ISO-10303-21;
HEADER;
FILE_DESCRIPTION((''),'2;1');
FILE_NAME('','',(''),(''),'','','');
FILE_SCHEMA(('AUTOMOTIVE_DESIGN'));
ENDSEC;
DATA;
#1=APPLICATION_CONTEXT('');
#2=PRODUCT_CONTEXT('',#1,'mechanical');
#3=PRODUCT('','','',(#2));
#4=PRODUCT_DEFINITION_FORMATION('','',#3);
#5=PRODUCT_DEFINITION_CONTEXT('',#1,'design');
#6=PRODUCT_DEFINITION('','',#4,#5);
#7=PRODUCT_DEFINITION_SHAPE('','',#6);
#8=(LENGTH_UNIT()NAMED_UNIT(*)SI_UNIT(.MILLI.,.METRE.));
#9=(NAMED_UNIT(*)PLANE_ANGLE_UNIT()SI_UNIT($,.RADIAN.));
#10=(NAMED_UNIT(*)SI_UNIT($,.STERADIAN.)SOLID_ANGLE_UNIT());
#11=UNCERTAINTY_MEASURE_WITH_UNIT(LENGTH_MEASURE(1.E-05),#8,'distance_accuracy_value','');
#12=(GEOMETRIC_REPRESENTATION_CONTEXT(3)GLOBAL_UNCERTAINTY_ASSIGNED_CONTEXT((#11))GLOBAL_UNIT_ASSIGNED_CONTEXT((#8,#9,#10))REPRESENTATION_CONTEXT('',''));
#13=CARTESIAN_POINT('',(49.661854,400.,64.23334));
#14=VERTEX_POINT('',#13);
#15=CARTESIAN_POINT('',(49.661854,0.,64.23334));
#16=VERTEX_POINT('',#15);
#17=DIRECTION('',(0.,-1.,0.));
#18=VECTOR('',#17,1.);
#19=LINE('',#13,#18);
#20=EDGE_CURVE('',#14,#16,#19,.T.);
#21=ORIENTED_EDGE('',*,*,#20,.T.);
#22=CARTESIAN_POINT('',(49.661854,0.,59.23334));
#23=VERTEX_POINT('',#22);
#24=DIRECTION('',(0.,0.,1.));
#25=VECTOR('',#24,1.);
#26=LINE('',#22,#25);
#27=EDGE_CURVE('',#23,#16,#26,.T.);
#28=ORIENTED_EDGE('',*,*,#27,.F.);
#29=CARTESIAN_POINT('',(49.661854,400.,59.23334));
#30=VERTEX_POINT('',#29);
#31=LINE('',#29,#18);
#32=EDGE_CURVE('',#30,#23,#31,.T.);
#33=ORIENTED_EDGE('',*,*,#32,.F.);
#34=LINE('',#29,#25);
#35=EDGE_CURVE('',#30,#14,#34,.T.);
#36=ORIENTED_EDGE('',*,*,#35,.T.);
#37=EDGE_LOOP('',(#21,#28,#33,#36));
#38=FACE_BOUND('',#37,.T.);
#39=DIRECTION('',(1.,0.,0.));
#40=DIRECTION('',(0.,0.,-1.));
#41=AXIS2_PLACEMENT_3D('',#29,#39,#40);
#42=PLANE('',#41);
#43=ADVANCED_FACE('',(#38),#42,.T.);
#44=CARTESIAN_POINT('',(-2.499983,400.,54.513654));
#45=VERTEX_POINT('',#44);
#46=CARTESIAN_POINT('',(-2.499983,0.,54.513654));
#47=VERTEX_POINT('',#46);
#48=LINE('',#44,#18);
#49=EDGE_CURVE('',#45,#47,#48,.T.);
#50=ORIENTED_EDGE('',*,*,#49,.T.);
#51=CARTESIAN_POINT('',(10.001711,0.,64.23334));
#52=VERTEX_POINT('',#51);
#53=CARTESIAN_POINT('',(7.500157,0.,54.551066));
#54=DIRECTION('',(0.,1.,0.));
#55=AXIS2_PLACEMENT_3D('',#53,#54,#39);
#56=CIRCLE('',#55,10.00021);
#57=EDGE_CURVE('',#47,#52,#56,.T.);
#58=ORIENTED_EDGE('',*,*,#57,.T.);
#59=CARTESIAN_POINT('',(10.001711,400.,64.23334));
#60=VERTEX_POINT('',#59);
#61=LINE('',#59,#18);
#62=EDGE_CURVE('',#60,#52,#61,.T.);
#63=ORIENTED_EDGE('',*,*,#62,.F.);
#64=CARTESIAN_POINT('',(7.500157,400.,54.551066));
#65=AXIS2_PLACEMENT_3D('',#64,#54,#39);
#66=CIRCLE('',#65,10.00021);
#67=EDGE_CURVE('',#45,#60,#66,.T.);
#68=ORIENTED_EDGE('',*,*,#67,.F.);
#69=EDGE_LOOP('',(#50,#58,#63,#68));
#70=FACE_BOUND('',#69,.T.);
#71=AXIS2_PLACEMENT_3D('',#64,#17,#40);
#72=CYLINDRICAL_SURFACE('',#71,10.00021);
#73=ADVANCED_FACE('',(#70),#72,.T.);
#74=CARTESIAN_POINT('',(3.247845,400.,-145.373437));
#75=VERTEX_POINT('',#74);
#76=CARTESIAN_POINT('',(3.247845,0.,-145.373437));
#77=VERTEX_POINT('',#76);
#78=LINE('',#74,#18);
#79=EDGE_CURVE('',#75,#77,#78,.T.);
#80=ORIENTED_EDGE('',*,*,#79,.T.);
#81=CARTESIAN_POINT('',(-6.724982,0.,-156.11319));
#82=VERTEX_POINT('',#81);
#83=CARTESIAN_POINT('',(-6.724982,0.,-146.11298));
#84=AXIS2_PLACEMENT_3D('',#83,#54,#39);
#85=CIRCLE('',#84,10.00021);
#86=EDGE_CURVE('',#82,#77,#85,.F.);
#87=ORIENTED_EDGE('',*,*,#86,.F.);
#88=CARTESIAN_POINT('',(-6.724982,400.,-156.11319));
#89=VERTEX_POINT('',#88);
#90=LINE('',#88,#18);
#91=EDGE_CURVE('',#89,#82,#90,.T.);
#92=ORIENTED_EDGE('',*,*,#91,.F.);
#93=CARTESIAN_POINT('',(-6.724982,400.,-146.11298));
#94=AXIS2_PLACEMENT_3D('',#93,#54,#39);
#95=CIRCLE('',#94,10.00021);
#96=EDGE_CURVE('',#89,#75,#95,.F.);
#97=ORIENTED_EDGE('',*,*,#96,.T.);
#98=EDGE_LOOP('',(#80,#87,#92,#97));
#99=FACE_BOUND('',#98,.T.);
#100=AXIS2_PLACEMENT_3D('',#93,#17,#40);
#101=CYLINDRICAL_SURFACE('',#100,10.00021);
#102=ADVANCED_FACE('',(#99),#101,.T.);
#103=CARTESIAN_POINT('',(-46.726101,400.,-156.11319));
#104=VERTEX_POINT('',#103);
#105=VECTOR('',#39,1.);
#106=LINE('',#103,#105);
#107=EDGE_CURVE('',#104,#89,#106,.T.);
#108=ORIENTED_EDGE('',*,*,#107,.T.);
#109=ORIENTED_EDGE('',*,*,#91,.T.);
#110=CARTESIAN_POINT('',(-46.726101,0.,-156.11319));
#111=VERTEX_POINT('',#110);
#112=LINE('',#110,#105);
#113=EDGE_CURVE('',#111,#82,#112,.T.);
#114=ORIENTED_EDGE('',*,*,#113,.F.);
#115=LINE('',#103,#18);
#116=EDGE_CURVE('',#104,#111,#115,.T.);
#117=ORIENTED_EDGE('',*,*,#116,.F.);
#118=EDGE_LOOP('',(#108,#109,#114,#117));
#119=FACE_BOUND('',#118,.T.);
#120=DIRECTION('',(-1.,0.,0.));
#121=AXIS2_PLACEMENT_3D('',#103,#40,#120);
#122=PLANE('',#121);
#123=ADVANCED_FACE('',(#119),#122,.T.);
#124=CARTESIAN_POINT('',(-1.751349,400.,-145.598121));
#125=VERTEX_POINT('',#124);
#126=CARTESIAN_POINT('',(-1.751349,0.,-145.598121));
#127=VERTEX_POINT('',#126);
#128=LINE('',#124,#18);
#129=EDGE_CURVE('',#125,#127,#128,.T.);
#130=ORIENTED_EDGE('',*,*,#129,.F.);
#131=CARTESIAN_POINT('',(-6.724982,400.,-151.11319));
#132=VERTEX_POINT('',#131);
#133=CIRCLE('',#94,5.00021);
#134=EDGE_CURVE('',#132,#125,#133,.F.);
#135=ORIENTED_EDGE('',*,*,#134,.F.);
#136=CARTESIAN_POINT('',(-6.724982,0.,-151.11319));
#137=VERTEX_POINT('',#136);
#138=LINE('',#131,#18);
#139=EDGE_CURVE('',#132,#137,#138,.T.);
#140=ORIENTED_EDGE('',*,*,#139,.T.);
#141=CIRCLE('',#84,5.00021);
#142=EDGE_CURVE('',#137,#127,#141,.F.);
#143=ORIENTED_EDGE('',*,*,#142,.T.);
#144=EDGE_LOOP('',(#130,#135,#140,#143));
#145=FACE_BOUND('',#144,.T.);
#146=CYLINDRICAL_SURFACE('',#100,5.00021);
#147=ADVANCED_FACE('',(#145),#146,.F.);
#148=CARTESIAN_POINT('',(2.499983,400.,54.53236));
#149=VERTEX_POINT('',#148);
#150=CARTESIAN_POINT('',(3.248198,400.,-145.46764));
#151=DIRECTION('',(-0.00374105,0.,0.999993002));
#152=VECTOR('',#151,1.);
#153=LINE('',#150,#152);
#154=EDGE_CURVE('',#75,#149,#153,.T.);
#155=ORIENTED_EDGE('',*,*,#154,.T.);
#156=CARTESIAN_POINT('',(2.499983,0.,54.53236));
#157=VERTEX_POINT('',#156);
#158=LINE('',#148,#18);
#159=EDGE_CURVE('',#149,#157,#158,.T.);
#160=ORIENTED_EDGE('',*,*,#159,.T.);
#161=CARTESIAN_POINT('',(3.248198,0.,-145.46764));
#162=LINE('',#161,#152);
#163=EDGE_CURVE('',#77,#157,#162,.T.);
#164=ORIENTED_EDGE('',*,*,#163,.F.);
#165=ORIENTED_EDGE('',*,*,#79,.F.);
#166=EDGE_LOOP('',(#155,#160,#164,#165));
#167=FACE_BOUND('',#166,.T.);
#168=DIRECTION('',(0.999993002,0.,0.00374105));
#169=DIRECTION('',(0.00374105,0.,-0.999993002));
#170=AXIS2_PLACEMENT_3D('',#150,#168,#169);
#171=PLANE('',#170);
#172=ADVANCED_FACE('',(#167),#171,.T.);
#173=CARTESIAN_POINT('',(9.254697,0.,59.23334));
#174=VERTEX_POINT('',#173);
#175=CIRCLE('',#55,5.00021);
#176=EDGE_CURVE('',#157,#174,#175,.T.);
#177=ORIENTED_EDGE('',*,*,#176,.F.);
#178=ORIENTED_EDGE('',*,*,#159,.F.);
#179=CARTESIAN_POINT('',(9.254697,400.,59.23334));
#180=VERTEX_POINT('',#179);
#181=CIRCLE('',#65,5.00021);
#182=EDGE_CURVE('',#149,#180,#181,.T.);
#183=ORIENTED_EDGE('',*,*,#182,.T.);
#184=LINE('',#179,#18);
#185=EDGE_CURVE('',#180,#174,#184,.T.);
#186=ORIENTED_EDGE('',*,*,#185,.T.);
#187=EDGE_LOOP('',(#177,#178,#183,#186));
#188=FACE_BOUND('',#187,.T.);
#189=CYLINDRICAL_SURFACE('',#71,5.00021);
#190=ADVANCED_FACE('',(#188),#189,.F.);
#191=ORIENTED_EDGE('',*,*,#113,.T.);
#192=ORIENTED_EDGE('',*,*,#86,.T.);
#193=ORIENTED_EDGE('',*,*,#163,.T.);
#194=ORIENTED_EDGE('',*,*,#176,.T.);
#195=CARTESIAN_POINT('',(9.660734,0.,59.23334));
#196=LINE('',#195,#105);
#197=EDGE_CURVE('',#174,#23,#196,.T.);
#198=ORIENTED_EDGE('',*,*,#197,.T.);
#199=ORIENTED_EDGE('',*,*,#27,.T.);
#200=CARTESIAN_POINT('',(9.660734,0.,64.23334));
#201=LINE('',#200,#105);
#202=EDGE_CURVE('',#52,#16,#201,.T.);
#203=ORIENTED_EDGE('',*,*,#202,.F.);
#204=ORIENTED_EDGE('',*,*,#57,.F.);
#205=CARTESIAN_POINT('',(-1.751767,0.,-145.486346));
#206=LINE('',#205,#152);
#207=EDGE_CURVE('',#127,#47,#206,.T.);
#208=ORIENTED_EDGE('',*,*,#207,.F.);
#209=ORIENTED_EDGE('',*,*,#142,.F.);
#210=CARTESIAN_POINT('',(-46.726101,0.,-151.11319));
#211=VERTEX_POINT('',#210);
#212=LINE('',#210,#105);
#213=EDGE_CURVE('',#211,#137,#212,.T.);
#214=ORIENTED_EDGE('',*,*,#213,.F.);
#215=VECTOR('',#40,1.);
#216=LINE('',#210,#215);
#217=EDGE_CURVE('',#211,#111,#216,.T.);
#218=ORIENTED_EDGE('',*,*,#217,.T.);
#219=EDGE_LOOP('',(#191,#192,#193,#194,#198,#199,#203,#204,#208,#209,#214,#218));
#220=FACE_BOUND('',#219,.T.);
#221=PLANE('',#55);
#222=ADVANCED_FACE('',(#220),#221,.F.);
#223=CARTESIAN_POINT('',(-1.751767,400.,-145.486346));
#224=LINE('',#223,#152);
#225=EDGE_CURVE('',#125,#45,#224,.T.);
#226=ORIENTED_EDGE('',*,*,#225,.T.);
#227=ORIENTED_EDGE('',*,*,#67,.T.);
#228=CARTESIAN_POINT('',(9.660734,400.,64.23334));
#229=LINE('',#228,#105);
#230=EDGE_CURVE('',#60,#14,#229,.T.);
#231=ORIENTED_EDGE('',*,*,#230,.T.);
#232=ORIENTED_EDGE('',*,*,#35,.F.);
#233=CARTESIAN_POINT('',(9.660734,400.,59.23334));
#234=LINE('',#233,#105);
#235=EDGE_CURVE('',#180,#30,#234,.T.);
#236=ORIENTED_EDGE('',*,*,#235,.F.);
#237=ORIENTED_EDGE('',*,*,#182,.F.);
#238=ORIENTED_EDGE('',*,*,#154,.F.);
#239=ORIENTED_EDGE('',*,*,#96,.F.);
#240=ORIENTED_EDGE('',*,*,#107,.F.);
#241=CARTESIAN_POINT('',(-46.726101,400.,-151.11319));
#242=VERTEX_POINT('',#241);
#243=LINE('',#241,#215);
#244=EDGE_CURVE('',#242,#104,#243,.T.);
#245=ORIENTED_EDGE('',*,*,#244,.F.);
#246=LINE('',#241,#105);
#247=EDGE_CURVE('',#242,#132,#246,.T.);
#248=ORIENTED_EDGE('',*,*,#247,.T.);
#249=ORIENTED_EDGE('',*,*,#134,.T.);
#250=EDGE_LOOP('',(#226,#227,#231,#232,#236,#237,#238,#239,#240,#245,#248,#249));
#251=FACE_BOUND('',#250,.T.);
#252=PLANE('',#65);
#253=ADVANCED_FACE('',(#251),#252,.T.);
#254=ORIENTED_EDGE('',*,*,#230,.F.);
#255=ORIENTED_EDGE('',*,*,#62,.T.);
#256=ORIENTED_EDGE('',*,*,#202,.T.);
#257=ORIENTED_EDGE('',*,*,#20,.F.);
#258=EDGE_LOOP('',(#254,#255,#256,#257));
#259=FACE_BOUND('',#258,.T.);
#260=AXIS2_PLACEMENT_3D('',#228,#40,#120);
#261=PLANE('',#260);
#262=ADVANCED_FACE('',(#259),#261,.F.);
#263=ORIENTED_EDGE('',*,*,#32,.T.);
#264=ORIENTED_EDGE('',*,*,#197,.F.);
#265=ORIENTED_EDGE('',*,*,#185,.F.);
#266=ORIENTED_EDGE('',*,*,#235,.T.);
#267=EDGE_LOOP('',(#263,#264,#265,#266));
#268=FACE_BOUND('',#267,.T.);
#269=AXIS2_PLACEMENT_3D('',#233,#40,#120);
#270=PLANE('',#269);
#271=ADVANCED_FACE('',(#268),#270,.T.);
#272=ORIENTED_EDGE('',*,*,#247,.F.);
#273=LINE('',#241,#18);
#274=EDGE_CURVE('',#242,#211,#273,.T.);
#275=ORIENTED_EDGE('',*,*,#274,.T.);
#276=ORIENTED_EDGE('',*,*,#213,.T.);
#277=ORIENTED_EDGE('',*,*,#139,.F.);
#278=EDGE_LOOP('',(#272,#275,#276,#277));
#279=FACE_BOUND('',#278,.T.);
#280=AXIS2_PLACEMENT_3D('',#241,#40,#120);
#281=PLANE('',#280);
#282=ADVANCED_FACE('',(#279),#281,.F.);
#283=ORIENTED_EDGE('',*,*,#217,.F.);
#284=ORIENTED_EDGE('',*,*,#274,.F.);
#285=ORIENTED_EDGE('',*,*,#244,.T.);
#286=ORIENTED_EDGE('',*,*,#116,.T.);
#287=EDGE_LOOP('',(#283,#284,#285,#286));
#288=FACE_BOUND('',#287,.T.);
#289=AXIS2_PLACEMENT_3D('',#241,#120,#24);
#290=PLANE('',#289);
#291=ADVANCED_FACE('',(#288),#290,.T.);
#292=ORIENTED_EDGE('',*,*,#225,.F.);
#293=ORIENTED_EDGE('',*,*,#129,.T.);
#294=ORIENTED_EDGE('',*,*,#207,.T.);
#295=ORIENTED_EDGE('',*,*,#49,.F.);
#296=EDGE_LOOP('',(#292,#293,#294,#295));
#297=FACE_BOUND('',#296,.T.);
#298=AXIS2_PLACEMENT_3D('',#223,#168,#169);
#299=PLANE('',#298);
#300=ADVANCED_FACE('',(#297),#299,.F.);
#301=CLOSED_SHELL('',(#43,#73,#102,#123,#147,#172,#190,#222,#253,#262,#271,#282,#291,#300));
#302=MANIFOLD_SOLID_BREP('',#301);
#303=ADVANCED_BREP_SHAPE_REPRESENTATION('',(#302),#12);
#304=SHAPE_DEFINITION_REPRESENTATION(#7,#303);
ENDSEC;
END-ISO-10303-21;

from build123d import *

# Parameters (mm, degrees)
EXTRUDE_THIN1_DEPTH = 400


with BuildPart() as part:
    # Sketch1 → Extrude-Thin1 (new body)
    with BuildSketch(Plane(origin=(0, 0, 0), x_dir=(1, 0, 0), z_dir=(0, 1, 0))):
        with BuildLine():
            Line((-46.726101212, 151.113189738), (-6.724981576, 151.113189738))
            ThreePointArc((-6.724981576, 151.113189738), (-3.011728055, 149.461688161), (-1.751349164, 145.598120611))
            Line((-1.751349164, 145.598120611), (-2.499982506, -54.513654379))
            ThreePointArc((-2.499982506, -54.513654379), (1.362139111, -62.445932955), (10.001711114, -64.233339564))
            Line((10.001711114, -64.233339564), (49.661853535, -64.233339564))
            Line((49.661853535, -64.233339564), (49.661853535, -59.233339564))
            Line((49.661853535, -59.233339564), (9.254697404, -59.233339564))
            ThreePointArc((9.254697404, -59.233339564), (4.6438767, -58.655180628), (2.499982506, -54.532359627))
            Line((2.499982506, -54.532359627), (3.247845267, 145.373437083))
            ThreePointArc((3.247845267, 145.373437083), (0.603039342, 152.9177067), (-6.724981576, 156.113189738))
            Line((-6.724981576, 156.113189738), (-46.726101212, 156.113189738))
            Line((-46.726101212, 156.113189738), (-46.726101212, 151.113189738))
        make_face()
    extrude(amount=EXTRUDE_THIN1_DEPTH)


solid = part.part
